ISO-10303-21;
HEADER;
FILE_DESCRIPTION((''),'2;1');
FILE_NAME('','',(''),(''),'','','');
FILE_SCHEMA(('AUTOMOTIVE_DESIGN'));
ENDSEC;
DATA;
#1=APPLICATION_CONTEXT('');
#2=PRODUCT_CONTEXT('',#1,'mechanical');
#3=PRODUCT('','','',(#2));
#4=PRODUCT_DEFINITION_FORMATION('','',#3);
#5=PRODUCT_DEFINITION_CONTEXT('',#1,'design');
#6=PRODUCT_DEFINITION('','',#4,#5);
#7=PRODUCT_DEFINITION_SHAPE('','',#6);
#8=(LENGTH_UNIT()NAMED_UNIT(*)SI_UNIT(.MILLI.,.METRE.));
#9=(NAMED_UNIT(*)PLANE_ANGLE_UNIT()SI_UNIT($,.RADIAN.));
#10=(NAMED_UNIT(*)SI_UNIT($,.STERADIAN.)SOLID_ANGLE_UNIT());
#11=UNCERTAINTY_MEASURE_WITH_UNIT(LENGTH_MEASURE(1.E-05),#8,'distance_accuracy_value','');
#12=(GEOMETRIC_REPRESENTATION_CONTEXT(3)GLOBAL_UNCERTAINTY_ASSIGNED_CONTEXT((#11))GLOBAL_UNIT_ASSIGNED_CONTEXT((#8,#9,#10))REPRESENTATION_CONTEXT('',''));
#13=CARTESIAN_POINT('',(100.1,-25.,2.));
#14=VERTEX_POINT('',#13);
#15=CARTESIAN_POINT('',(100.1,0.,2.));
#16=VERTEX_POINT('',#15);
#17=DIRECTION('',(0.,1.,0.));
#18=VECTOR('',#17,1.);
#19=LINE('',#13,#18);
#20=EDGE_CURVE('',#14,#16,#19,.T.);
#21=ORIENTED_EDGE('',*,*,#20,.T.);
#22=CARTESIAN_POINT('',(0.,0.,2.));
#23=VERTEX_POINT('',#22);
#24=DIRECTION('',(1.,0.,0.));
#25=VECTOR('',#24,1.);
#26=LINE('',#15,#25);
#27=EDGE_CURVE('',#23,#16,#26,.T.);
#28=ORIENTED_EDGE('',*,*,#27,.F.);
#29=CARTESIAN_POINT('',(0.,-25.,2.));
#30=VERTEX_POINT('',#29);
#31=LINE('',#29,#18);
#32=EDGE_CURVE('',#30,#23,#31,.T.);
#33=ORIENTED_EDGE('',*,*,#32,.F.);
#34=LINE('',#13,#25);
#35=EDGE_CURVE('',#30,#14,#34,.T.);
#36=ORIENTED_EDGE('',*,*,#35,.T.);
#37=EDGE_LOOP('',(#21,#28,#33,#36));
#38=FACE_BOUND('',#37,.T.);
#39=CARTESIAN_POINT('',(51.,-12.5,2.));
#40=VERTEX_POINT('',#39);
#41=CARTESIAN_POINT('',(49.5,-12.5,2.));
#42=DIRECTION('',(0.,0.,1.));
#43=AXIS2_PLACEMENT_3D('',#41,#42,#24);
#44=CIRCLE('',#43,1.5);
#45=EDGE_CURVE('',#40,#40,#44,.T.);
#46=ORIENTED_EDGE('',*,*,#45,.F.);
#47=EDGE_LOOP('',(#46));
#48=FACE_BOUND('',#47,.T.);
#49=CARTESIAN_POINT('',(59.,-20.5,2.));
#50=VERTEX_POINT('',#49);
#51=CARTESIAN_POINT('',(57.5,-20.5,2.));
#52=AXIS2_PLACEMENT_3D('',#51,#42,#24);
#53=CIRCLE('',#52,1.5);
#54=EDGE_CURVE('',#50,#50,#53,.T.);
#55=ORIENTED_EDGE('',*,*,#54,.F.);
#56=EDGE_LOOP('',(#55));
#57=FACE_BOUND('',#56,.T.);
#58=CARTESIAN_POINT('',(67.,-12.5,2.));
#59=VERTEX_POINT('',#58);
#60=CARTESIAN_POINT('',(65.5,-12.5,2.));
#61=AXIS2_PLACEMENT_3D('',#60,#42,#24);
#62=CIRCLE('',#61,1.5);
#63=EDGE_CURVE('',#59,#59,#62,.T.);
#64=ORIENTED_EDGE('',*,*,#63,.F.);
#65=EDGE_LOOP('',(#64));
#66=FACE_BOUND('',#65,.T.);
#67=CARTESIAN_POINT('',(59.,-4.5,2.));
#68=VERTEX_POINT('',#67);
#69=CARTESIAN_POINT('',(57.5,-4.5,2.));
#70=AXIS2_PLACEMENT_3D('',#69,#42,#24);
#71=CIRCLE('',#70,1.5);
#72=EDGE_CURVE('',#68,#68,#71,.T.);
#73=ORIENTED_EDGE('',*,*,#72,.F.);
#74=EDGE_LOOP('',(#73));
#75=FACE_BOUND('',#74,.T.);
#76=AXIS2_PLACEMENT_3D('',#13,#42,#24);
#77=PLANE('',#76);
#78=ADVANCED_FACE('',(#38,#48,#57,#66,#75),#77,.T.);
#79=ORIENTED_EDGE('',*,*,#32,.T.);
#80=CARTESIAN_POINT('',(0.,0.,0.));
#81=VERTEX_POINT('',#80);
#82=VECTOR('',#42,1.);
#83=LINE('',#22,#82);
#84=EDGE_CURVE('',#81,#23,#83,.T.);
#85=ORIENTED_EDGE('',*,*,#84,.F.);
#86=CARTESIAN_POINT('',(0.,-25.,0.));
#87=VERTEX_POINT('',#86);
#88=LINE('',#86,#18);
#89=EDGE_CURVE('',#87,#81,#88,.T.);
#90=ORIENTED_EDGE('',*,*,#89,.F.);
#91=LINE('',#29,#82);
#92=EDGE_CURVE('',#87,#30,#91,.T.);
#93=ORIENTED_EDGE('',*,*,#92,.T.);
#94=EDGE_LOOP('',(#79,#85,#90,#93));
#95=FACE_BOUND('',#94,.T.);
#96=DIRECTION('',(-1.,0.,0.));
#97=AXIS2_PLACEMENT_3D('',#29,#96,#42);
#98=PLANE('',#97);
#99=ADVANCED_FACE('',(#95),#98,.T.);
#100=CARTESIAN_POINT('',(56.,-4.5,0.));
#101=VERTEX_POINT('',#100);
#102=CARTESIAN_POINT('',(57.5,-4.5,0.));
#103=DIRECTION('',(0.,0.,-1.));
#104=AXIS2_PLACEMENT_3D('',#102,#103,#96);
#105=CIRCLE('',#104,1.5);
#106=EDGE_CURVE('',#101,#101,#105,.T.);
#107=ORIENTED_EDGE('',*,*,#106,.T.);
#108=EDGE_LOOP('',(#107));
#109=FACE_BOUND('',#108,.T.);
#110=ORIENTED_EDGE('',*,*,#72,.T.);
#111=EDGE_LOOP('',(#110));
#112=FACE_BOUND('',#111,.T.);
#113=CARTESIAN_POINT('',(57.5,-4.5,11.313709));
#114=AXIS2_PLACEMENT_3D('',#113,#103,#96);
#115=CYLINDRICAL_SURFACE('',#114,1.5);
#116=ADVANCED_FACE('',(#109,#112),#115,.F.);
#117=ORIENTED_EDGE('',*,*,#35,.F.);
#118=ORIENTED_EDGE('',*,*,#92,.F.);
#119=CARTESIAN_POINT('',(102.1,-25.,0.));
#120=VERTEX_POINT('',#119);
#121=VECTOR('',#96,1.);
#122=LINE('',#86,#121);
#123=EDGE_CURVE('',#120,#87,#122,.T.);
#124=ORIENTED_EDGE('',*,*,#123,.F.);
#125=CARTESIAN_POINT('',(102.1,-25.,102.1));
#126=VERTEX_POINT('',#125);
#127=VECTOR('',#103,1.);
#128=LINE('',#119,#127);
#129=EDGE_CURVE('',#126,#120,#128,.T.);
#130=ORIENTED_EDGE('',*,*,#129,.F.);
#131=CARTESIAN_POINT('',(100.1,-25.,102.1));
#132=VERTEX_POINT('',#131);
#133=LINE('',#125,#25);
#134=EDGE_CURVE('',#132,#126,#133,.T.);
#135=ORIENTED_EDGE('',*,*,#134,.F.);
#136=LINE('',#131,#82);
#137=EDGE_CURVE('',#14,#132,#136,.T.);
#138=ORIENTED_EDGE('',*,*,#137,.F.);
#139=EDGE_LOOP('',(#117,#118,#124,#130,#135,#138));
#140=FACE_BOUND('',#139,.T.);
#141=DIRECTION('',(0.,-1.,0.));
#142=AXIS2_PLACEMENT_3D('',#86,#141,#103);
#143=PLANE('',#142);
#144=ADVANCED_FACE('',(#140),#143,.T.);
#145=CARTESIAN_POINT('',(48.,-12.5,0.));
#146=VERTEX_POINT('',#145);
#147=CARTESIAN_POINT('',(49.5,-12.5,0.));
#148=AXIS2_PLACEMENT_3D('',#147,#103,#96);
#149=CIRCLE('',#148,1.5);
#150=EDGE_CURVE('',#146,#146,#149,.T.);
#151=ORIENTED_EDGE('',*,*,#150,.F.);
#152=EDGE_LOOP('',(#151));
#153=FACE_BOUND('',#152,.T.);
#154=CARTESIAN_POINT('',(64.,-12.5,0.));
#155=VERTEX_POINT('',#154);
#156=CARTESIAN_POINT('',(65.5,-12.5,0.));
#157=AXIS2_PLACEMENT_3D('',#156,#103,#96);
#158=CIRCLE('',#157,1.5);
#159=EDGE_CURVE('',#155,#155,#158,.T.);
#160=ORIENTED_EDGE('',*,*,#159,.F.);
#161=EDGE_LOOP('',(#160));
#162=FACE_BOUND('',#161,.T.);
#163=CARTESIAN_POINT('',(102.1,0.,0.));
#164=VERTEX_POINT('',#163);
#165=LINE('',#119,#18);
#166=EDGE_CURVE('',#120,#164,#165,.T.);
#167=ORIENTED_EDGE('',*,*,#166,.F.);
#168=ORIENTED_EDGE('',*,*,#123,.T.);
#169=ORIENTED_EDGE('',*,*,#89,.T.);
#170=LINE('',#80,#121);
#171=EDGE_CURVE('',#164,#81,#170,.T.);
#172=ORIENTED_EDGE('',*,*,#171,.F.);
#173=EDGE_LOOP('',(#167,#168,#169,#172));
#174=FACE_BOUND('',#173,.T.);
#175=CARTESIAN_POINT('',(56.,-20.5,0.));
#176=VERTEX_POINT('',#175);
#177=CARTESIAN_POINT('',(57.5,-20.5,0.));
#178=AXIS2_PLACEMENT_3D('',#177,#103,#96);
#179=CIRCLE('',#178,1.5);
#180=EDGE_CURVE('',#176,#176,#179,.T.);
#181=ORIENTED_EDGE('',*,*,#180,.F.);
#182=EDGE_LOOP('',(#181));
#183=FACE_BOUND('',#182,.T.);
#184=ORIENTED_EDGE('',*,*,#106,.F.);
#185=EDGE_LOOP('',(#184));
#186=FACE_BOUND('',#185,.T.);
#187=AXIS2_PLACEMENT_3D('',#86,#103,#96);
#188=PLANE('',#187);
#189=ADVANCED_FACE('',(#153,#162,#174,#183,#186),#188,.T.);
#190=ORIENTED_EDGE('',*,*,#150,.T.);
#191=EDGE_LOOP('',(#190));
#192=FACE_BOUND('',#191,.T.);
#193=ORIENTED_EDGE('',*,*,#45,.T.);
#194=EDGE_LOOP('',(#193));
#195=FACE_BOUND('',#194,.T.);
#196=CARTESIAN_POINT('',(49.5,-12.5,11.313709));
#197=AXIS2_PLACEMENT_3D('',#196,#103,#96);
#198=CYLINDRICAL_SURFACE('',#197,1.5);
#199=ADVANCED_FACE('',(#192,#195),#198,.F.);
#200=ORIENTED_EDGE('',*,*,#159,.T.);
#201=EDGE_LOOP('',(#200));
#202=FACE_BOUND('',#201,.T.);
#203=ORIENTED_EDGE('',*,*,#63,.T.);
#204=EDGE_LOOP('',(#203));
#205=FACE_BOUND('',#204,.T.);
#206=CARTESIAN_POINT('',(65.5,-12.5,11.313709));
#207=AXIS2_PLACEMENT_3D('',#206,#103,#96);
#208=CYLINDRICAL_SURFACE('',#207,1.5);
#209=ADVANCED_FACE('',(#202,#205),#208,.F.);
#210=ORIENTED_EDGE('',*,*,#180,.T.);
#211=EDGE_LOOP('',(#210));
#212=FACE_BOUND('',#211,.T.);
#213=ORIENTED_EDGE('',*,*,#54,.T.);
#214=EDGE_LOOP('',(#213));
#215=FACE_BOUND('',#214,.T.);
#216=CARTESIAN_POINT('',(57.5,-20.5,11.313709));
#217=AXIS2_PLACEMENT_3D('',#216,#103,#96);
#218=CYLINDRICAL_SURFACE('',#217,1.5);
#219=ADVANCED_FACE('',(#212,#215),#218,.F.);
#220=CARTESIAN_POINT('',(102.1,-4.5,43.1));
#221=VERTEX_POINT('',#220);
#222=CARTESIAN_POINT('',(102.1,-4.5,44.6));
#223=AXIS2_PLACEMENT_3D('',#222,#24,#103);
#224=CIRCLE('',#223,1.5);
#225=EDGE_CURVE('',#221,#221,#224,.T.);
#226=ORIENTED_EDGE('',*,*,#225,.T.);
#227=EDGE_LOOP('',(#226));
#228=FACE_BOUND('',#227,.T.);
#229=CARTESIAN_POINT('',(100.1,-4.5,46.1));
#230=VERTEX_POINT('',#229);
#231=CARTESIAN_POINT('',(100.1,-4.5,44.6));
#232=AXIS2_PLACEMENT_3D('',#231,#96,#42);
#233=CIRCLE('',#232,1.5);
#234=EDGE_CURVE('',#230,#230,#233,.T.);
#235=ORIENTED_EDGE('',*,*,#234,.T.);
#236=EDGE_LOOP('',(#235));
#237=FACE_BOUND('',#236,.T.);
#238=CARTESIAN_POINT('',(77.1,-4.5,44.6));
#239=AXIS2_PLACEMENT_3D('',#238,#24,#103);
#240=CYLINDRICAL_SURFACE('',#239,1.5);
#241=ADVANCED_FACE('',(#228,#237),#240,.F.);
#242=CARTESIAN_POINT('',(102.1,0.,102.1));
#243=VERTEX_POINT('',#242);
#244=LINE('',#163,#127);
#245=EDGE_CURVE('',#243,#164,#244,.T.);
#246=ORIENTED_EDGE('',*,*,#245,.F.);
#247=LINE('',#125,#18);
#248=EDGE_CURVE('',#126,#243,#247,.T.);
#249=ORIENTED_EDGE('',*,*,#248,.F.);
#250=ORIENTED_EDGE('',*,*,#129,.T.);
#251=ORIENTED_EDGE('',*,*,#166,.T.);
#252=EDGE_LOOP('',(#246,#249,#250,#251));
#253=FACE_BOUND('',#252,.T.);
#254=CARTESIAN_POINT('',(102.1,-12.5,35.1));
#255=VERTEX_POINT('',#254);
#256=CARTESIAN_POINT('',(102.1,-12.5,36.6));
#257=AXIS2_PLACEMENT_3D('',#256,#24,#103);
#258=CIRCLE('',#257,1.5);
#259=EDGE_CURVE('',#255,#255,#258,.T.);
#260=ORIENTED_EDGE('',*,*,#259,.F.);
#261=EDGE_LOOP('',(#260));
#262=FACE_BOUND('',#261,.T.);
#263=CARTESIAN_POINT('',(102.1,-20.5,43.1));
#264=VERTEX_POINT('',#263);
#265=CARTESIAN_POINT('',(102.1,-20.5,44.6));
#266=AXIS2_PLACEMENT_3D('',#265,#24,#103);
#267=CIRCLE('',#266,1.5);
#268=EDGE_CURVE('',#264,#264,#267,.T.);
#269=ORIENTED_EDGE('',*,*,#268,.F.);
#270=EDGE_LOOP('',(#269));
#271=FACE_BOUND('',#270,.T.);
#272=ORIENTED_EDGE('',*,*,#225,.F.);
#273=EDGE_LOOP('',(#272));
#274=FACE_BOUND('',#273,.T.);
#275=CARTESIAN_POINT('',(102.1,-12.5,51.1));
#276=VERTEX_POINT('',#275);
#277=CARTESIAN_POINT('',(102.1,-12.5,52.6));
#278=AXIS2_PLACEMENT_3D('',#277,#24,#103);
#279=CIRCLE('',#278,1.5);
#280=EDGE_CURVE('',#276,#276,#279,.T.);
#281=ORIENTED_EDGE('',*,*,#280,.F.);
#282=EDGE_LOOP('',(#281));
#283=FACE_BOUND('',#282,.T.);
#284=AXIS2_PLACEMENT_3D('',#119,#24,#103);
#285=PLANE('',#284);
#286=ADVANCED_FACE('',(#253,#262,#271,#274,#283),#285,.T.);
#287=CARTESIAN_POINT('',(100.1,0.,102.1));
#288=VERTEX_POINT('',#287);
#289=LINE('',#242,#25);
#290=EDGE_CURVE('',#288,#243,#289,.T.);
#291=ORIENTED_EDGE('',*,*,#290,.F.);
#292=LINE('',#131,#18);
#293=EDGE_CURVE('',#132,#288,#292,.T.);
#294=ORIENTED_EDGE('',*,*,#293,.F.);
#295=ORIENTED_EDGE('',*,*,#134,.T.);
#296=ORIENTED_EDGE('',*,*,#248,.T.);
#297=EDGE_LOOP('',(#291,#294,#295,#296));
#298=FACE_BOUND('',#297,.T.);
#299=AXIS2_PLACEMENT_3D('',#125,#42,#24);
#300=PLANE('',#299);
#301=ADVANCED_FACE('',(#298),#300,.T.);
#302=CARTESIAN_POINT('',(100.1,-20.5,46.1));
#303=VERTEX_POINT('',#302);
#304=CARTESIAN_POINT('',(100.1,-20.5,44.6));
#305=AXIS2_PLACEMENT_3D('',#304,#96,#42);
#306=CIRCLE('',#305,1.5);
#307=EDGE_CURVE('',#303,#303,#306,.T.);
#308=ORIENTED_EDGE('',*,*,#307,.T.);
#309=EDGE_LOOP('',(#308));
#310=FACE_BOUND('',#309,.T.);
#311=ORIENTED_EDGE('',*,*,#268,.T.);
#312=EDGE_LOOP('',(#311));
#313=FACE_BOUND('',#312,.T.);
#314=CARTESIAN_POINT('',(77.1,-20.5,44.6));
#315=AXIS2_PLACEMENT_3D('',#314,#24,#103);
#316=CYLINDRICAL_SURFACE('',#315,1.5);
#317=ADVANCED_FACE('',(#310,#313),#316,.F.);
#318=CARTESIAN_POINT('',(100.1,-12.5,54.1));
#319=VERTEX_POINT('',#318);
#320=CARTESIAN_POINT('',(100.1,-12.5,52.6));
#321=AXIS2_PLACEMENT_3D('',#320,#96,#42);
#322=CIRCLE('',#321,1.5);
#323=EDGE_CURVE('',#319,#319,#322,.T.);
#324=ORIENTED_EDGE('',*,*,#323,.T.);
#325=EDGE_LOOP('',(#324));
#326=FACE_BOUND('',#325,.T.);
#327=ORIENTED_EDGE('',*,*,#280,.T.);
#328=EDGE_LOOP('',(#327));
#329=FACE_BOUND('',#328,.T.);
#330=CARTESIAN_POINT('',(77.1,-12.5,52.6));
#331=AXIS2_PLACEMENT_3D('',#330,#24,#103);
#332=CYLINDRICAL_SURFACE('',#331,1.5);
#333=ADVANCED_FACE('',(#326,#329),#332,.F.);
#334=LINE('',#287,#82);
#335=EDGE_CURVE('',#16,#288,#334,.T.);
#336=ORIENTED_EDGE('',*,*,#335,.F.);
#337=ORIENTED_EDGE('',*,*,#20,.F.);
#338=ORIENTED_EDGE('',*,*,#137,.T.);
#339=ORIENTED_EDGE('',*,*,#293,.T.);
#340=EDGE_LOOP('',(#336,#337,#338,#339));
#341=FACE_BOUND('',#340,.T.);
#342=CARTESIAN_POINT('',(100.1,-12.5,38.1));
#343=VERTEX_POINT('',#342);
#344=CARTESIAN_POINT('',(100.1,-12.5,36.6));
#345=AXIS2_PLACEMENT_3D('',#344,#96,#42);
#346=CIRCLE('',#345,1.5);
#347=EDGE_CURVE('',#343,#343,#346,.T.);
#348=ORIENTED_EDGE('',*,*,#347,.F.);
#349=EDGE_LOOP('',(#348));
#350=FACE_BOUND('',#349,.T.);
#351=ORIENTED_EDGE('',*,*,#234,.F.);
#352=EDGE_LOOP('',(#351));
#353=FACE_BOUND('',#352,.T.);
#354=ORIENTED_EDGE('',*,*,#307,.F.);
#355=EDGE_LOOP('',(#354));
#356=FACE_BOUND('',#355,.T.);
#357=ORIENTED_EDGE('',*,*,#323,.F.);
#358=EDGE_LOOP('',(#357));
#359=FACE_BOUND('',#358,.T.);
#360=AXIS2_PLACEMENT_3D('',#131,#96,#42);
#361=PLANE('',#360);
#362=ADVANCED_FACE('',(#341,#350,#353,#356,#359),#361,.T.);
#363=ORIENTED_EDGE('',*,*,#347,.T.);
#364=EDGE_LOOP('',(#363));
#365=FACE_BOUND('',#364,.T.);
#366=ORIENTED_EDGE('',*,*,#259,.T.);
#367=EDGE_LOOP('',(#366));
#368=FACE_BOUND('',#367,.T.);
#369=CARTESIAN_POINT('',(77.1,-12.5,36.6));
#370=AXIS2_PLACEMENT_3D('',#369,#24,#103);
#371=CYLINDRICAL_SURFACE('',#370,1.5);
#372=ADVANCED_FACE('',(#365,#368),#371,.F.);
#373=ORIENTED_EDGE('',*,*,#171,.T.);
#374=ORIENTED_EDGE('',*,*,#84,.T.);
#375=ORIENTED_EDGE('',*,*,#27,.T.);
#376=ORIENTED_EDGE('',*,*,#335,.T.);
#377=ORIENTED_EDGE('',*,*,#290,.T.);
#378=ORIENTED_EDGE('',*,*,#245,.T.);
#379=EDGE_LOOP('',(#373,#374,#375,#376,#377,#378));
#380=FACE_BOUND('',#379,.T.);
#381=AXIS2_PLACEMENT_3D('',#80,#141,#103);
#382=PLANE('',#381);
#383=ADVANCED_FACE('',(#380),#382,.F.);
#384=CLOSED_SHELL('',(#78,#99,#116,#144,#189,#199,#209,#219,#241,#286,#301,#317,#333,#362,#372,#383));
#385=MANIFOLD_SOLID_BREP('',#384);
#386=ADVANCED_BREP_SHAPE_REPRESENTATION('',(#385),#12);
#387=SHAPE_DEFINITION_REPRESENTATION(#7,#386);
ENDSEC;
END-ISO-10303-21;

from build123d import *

# Parameters (mm, degrees)
BOSS_EXTRUDE1_DEPTH = 25
SKETCH2_R           = 1.5
CUT_EXTRUDE1_DEPTH  = 11.313708668
SKETCH3_R           = 1.5
CUT_EXTRUDE2_DEPTH  = 25


with BuildPart() as part:
    # Sketch1 → Boss-Extrude1 (new body)
    with BuildSketch(Plane(origin=(0, 0, 0), x_dir=(1, 0, 0), z_dir=(0, 1, 0))):
        Polygon((0, 0), (102.1, 0), (102.1, -102.1), (100.1, -102.1), (100.1, -2), (0, -2), align=None)
    extrude(amount=-BOSS_EXTRUDE1_DEPTH)

    # Sketch2 → Cut-Extrude1 (cut)
    with BuildSketch(Plane(origin=(0, 0, 0), x_dir=(-1, 0, 0), z_dir=(0, 0, -1))):
        with Locations((-65.500000119, -12.5)):
            Circle(SKETCH2_R)
        with Locations((-57.5, -20.500000119)):
            Circle(SKETCH2_R)
        with Locations((-49.499999881, -12.5)):
            Circle(SKETCH2_R)
        with Locations((-57.5, -4.499999881)):
            Circle(SKETCH2_R)
    extrude(amount=-CUT_EXTRUDE1_DEPTH, mode=Mode.SUBTRACT)

    # Sketch3 → Cut-Extrude2 (cut)
    with BuildSketch(Plane(origin=(102.1, 0, 0), x_dir=(0, 0, -1), z_dir=(1, 0, 0))):
        with Locations((-44.6, -4.499999881)):
            Circle(SKETCH3_R)
        with Locations((-36.599999881, -12.5)):
            Circle(SKETCH3_R)
        with Locations((-52.600000119, -12.5)):
            Circle(SKETCH3_R)
        with Locations((-44.6, -20.500000119)):
            Circle(SKETCH3_R)
    extrude(amount=-CUT_EXTRUDE2_DEPTH, mode=Mode.SUBTRACT)


solid = part.part
